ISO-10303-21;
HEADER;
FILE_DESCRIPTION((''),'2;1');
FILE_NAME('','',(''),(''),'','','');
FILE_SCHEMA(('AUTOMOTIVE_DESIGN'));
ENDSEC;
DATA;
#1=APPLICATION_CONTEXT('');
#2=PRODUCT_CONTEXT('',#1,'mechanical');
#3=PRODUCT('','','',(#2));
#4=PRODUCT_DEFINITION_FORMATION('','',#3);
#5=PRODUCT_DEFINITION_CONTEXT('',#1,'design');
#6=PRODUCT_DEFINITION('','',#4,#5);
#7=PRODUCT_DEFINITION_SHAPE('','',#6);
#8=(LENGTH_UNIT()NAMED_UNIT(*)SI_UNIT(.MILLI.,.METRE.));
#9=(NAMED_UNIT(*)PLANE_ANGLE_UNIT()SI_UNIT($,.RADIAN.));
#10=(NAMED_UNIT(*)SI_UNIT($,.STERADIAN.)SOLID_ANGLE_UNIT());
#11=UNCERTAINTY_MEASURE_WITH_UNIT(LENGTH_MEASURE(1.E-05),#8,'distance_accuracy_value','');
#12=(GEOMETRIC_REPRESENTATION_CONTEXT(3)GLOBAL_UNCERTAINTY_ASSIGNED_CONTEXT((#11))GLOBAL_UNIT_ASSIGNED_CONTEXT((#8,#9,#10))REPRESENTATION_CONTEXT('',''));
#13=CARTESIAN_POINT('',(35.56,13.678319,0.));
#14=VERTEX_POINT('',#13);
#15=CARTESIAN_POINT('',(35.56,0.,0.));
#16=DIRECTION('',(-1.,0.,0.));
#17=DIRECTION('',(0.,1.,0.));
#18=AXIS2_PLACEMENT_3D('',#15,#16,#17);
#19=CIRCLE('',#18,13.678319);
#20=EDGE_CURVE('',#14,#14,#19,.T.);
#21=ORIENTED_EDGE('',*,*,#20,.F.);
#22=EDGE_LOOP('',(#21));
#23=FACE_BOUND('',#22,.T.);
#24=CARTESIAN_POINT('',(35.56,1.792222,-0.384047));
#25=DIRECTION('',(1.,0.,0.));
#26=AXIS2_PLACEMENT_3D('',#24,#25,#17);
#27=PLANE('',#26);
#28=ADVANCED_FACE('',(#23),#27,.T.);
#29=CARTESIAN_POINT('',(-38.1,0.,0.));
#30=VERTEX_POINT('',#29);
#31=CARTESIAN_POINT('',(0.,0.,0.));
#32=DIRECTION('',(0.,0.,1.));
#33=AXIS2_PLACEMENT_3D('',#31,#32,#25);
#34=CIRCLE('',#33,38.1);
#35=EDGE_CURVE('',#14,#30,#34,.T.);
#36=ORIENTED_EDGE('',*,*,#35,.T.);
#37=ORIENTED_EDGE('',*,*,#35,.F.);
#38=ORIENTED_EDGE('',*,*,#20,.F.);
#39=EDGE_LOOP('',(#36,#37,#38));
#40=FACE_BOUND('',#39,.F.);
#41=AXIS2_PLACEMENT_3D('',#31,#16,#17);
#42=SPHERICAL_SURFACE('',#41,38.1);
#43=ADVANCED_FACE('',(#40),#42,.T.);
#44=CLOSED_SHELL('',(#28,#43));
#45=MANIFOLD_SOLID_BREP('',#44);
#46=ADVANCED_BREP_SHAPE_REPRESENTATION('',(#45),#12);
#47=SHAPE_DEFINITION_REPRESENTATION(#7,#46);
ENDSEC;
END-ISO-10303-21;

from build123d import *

# Parameters (mm, degrees)
F3_W     = 108.085104
F3_H     = 101.6
F4_DEPTH = 35.052


with BuildPart() as f1:
    # F0 (on Top) → F1 (revolve)
    with BuildSketch(Plane.XY):
        with BuildLine():
            ThreePointArc((38.1, 0), (0, 38.1), (-38.1, 0))
            Line((-38.1, 0), (38.1, 0))
        make_face()
    revolve(axis=Axis((0, 0, 0), (1, 0, 0)))

    # F3 (on offset) → F4 (cut)
    with BuildSketch(Plane.YZ.offset(35.56)):
        with Locations((1.792222, -0.384047)):
            Rectangle(F3_W, F3_H)
    extrude(amount=F4_DEPTH, mode=Mode.SUBTRACT)


solid = f1.part
